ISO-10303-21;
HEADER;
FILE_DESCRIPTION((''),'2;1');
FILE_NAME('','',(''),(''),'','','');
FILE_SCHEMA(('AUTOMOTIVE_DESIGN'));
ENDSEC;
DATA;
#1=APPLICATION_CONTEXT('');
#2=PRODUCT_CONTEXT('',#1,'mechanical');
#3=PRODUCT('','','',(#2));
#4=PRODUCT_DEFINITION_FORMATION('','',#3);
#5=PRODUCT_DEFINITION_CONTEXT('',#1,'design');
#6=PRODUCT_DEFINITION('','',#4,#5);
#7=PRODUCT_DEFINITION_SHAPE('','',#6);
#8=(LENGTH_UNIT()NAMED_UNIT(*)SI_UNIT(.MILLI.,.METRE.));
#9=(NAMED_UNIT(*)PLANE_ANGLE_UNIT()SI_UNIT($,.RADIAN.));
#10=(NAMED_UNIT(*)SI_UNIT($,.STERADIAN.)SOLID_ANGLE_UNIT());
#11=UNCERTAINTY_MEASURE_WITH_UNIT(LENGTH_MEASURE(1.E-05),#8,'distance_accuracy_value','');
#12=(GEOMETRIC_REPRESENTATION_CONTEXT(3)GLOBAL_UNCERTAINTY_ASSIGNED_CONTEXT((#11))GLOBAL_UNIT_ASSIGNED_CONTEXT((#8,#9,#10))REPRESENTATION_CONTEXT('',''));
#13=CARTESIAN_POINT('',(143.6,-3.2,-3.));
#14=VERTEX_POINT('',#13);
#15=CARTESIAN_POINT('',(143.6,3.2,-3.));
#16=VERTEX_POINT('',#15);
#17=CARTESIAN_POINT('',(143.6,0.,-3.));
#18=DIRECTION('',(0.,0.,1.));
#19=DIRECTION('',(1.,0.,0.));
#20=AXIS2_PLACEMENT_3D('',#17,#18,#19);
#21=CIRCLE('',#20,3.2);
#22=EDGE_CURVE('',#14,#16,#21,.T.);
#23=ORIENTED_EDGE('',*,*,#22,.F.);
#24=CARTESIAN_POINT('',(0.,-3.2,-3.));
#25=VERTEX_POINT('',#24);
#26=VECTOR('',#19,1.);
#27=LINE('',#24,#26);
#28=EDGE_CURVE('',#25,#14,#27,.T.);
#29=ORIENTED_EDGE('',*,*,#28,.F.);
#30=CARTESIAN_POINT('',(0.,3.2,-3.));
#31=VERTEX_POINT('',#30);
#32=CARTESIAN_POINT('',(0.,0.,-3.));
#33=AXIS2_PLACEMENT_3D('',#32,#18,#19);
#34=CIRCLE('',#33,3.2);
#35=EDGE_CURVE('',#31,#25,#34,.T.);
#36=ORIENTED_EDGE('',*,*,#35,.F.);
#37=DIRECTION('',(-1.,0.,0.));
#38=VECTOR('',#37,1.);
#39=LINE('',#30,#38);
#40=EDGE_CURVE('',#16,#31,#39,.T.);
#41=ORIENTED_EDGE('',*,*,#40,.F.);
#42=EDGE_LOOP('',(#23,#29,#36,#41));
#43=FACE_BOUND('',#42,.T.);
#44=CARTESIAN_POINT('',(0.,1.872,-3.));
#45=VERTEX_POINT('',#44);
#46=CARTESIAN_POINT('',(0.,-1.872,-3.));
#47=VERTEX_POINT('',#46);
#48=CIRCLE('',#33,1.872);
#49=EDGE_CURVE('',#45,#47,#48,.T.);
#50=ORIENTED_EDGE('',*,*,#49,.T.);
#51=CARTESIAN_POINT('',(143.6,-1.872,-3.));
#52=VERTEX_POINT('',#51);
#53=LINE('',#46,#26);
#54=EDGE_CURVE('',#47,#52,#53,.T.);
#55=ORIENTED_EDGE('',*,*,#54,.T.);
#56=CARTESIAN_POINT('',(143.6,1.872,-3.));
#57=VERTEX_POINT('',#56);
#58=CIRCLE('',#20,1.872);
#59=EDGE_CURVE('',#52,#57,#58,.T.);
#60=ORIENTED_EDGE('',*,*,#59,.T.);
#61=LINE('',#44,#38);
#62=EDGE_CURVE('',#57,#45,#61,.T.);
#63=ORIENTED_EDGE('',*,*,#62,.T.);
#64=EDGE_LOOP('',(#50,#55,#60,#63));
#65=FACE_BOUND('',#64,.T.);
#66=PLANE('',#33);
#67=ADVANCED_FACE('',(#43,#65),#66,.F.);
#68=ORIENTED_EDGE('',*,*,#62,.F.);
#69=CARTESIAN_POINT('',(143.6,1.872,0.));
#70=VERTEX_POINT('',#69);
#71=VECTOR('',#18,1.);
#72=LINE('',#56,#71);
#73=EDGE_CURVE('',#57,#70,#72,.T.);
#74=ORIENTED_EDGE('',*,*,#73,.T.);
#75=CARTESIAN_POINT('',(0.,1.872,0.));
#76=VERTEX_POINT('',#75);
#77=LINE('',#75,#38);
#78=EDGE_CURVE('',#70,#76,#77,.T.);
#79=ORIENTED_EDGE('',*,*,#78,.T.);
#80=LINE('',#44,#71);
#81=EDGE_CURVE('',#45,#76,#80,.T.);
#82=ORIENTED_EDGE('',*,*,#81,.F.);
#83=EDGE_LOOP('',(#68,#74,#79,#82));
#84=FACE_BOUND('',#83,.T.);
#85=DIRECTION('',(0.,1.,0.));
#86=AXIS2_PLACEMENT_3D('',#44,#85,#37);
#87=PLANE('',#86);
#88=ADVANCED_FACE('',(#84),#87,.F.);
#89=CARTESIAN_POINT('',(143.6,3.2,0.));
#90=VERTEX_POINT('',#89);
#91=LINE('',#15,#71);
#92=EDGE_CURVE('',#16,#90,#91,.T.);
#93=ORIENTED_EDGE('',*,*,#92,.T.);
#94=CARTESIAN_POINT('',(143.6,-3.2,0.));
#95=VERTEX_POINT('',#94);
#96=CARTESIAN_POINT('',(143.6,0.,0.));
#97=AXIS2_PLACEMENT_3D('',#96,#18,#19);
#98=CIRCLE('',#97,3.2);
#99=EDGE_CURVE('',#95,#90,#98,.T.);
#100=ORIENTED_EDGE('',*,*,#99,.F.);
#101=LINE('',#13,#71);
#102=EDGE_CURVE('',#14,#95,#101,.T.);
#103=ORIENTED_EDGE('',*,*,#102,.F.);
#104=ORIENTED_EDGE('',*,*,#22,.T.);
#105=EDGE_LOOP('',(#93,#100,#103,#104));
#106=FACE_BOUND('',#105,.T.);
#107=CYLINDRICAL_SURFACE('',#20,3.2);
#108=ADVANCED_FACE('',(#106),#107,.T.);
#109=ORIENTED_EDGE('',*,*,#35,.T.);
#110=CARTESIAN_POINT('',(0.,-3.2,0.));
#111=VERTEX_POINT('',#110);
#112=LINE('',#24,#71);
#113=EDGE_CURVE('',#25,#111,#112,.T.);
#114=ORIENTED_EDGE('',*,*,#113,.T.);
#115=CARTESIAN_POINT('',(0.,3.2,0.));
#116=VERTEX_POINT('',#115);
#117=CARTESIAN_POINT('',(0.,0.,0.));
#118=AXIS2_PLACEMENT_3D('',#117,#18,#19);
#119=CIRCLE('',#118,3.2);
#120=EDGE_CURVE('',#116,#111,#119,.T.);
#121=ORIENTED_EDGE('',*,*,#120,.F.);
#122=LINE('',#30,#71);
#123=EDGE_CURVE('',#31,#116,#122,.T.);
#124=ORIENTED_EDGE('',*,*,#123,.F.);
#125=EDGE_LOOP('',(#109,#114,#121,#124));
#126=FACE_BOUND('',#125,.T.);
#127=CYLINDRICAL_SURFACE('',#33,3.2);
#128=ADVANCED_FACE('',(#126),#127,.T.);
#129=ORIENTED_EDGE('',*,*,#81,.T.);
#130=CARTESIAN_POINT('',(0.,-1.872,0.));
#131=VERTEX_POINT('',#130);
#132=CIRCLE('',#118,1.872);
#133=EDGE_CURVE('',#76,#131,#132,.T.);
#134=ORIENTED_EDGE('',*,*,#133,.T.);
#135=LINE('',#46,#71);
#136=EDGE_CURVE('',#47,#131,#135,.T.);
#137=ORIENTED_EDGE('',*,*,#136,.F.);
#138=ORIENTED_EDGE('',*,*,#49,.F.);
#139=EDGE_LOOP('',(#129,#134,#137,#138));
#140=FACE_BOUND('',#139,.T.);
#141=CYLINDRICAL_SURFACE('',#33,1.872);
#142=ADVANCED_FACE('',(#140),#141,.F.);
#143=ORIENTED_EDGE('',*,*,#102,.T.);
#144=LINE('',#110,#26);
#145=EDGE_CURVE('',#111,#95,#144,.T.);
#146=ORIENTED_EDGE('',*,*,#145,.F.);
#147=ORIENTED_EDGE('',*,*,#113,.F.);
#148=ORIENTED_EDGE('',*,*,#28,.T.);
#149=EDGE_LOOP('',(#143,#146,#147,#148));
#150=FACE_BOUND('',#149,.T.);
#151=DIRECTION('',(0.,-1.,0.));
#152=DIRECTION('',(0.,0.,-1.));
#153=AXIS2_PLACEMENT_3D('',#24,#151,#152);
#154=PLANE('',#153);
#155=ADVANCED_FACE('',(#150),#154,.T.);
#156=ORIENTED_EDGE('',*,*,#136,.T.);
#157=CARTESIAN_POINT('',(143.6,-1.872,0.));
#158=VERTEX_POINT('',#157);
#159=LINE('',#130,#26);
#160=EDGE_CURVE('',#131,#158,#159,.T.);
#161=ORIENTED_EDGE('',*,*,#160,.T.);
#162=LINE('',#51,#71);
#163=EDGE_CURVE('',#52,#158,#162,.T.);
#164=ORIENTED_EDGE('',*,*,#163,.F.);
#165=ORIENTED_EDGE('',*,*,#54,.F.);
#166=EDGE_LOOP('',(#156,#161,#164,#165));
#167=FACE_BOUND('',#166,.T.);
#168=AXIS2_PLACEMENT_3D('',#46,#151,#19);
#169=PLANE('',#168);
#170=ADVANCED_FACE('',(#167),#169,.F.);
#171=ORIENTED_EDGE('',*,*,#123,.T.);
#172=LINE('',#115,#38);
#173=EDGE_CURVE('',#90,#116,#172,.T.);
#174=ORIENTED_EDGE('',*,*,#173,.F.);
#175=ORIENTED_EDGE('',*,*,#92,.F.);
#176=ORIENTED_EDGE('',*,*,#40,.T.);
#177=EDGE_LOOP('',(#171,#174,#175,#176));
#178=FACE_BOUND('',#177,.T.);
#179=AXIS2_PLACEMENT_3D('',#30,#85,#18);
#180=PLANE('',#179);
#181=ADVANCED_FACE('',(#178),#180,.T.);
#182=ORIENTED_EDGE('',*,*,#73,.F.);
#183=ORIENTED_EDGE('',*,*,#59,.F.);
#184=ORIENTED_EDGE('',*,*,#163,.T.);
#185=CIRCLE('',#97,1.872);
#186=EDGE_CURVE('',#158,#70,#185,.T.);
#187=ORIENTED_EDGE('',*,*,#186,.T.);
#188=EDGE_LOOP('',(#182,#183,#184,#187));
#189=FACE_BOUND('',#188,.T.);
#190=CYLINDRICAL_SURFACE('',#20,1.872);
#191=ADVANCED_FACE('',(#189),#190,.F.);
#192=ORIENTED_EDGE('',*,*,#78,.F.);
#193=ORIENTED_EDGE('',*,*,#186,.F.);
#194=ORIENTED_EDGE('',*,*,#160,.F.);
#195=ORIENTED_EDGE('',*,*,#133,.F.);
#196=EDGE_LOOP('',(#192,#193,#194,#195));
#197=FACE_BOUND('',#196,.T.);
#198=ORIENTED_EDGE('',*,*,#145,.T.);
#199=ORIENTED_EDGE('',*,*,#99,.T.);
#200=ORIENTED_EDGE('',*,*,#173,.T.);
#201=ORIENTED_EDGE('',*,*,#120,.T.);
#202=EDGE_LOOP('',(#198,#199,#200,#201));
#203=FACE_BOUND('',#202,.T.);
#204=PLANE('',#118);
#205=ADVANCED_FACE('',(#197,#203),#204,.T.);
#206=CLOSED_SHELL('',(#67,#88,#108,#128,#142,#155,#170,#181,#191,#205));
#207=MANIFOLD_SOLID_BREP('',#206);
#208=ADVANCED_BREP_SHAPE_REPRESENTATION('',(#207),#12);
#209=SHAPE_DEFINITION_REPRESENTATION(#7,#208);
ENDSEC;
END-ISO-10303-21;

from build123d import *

# Parameters (mm, degrees)
BOSS_EXTRUDE1_DEPTH = 3


with BuildPart() as part:
    # Sketch2 → Boss-Extrude1 (new body)
    with BuildSketch(Plane.XY):
        with BuildLine():
            Line((0, 3.2), (143.6, 3.2))
            ThreePointArc((143.6, 3.2), (146.8, 0), (143.6, -3.2))
            Line((143.6, -3.2), (0, -3.2))
            ThreePointArc((0, -3.2), (-3.2, 0), (0, 3.2))
        make_face()
        with BuildLine():
            Line((0, 1.872), (143.6, 1.872))
            ThreePointArc((143.6, 1.872), (145.472, 0), (143.6, -1.872))
            Line((143.6, -1.872), (0, -1.872))
            ThreePointArc((0, -1.872), (-1.872, 0), (0, 1.872))
        make_face(mode=Mode.SUBTRACT)
    extrude(amount=-BOSS_EXTRUDE1_DEPTH)


solid = part.part
